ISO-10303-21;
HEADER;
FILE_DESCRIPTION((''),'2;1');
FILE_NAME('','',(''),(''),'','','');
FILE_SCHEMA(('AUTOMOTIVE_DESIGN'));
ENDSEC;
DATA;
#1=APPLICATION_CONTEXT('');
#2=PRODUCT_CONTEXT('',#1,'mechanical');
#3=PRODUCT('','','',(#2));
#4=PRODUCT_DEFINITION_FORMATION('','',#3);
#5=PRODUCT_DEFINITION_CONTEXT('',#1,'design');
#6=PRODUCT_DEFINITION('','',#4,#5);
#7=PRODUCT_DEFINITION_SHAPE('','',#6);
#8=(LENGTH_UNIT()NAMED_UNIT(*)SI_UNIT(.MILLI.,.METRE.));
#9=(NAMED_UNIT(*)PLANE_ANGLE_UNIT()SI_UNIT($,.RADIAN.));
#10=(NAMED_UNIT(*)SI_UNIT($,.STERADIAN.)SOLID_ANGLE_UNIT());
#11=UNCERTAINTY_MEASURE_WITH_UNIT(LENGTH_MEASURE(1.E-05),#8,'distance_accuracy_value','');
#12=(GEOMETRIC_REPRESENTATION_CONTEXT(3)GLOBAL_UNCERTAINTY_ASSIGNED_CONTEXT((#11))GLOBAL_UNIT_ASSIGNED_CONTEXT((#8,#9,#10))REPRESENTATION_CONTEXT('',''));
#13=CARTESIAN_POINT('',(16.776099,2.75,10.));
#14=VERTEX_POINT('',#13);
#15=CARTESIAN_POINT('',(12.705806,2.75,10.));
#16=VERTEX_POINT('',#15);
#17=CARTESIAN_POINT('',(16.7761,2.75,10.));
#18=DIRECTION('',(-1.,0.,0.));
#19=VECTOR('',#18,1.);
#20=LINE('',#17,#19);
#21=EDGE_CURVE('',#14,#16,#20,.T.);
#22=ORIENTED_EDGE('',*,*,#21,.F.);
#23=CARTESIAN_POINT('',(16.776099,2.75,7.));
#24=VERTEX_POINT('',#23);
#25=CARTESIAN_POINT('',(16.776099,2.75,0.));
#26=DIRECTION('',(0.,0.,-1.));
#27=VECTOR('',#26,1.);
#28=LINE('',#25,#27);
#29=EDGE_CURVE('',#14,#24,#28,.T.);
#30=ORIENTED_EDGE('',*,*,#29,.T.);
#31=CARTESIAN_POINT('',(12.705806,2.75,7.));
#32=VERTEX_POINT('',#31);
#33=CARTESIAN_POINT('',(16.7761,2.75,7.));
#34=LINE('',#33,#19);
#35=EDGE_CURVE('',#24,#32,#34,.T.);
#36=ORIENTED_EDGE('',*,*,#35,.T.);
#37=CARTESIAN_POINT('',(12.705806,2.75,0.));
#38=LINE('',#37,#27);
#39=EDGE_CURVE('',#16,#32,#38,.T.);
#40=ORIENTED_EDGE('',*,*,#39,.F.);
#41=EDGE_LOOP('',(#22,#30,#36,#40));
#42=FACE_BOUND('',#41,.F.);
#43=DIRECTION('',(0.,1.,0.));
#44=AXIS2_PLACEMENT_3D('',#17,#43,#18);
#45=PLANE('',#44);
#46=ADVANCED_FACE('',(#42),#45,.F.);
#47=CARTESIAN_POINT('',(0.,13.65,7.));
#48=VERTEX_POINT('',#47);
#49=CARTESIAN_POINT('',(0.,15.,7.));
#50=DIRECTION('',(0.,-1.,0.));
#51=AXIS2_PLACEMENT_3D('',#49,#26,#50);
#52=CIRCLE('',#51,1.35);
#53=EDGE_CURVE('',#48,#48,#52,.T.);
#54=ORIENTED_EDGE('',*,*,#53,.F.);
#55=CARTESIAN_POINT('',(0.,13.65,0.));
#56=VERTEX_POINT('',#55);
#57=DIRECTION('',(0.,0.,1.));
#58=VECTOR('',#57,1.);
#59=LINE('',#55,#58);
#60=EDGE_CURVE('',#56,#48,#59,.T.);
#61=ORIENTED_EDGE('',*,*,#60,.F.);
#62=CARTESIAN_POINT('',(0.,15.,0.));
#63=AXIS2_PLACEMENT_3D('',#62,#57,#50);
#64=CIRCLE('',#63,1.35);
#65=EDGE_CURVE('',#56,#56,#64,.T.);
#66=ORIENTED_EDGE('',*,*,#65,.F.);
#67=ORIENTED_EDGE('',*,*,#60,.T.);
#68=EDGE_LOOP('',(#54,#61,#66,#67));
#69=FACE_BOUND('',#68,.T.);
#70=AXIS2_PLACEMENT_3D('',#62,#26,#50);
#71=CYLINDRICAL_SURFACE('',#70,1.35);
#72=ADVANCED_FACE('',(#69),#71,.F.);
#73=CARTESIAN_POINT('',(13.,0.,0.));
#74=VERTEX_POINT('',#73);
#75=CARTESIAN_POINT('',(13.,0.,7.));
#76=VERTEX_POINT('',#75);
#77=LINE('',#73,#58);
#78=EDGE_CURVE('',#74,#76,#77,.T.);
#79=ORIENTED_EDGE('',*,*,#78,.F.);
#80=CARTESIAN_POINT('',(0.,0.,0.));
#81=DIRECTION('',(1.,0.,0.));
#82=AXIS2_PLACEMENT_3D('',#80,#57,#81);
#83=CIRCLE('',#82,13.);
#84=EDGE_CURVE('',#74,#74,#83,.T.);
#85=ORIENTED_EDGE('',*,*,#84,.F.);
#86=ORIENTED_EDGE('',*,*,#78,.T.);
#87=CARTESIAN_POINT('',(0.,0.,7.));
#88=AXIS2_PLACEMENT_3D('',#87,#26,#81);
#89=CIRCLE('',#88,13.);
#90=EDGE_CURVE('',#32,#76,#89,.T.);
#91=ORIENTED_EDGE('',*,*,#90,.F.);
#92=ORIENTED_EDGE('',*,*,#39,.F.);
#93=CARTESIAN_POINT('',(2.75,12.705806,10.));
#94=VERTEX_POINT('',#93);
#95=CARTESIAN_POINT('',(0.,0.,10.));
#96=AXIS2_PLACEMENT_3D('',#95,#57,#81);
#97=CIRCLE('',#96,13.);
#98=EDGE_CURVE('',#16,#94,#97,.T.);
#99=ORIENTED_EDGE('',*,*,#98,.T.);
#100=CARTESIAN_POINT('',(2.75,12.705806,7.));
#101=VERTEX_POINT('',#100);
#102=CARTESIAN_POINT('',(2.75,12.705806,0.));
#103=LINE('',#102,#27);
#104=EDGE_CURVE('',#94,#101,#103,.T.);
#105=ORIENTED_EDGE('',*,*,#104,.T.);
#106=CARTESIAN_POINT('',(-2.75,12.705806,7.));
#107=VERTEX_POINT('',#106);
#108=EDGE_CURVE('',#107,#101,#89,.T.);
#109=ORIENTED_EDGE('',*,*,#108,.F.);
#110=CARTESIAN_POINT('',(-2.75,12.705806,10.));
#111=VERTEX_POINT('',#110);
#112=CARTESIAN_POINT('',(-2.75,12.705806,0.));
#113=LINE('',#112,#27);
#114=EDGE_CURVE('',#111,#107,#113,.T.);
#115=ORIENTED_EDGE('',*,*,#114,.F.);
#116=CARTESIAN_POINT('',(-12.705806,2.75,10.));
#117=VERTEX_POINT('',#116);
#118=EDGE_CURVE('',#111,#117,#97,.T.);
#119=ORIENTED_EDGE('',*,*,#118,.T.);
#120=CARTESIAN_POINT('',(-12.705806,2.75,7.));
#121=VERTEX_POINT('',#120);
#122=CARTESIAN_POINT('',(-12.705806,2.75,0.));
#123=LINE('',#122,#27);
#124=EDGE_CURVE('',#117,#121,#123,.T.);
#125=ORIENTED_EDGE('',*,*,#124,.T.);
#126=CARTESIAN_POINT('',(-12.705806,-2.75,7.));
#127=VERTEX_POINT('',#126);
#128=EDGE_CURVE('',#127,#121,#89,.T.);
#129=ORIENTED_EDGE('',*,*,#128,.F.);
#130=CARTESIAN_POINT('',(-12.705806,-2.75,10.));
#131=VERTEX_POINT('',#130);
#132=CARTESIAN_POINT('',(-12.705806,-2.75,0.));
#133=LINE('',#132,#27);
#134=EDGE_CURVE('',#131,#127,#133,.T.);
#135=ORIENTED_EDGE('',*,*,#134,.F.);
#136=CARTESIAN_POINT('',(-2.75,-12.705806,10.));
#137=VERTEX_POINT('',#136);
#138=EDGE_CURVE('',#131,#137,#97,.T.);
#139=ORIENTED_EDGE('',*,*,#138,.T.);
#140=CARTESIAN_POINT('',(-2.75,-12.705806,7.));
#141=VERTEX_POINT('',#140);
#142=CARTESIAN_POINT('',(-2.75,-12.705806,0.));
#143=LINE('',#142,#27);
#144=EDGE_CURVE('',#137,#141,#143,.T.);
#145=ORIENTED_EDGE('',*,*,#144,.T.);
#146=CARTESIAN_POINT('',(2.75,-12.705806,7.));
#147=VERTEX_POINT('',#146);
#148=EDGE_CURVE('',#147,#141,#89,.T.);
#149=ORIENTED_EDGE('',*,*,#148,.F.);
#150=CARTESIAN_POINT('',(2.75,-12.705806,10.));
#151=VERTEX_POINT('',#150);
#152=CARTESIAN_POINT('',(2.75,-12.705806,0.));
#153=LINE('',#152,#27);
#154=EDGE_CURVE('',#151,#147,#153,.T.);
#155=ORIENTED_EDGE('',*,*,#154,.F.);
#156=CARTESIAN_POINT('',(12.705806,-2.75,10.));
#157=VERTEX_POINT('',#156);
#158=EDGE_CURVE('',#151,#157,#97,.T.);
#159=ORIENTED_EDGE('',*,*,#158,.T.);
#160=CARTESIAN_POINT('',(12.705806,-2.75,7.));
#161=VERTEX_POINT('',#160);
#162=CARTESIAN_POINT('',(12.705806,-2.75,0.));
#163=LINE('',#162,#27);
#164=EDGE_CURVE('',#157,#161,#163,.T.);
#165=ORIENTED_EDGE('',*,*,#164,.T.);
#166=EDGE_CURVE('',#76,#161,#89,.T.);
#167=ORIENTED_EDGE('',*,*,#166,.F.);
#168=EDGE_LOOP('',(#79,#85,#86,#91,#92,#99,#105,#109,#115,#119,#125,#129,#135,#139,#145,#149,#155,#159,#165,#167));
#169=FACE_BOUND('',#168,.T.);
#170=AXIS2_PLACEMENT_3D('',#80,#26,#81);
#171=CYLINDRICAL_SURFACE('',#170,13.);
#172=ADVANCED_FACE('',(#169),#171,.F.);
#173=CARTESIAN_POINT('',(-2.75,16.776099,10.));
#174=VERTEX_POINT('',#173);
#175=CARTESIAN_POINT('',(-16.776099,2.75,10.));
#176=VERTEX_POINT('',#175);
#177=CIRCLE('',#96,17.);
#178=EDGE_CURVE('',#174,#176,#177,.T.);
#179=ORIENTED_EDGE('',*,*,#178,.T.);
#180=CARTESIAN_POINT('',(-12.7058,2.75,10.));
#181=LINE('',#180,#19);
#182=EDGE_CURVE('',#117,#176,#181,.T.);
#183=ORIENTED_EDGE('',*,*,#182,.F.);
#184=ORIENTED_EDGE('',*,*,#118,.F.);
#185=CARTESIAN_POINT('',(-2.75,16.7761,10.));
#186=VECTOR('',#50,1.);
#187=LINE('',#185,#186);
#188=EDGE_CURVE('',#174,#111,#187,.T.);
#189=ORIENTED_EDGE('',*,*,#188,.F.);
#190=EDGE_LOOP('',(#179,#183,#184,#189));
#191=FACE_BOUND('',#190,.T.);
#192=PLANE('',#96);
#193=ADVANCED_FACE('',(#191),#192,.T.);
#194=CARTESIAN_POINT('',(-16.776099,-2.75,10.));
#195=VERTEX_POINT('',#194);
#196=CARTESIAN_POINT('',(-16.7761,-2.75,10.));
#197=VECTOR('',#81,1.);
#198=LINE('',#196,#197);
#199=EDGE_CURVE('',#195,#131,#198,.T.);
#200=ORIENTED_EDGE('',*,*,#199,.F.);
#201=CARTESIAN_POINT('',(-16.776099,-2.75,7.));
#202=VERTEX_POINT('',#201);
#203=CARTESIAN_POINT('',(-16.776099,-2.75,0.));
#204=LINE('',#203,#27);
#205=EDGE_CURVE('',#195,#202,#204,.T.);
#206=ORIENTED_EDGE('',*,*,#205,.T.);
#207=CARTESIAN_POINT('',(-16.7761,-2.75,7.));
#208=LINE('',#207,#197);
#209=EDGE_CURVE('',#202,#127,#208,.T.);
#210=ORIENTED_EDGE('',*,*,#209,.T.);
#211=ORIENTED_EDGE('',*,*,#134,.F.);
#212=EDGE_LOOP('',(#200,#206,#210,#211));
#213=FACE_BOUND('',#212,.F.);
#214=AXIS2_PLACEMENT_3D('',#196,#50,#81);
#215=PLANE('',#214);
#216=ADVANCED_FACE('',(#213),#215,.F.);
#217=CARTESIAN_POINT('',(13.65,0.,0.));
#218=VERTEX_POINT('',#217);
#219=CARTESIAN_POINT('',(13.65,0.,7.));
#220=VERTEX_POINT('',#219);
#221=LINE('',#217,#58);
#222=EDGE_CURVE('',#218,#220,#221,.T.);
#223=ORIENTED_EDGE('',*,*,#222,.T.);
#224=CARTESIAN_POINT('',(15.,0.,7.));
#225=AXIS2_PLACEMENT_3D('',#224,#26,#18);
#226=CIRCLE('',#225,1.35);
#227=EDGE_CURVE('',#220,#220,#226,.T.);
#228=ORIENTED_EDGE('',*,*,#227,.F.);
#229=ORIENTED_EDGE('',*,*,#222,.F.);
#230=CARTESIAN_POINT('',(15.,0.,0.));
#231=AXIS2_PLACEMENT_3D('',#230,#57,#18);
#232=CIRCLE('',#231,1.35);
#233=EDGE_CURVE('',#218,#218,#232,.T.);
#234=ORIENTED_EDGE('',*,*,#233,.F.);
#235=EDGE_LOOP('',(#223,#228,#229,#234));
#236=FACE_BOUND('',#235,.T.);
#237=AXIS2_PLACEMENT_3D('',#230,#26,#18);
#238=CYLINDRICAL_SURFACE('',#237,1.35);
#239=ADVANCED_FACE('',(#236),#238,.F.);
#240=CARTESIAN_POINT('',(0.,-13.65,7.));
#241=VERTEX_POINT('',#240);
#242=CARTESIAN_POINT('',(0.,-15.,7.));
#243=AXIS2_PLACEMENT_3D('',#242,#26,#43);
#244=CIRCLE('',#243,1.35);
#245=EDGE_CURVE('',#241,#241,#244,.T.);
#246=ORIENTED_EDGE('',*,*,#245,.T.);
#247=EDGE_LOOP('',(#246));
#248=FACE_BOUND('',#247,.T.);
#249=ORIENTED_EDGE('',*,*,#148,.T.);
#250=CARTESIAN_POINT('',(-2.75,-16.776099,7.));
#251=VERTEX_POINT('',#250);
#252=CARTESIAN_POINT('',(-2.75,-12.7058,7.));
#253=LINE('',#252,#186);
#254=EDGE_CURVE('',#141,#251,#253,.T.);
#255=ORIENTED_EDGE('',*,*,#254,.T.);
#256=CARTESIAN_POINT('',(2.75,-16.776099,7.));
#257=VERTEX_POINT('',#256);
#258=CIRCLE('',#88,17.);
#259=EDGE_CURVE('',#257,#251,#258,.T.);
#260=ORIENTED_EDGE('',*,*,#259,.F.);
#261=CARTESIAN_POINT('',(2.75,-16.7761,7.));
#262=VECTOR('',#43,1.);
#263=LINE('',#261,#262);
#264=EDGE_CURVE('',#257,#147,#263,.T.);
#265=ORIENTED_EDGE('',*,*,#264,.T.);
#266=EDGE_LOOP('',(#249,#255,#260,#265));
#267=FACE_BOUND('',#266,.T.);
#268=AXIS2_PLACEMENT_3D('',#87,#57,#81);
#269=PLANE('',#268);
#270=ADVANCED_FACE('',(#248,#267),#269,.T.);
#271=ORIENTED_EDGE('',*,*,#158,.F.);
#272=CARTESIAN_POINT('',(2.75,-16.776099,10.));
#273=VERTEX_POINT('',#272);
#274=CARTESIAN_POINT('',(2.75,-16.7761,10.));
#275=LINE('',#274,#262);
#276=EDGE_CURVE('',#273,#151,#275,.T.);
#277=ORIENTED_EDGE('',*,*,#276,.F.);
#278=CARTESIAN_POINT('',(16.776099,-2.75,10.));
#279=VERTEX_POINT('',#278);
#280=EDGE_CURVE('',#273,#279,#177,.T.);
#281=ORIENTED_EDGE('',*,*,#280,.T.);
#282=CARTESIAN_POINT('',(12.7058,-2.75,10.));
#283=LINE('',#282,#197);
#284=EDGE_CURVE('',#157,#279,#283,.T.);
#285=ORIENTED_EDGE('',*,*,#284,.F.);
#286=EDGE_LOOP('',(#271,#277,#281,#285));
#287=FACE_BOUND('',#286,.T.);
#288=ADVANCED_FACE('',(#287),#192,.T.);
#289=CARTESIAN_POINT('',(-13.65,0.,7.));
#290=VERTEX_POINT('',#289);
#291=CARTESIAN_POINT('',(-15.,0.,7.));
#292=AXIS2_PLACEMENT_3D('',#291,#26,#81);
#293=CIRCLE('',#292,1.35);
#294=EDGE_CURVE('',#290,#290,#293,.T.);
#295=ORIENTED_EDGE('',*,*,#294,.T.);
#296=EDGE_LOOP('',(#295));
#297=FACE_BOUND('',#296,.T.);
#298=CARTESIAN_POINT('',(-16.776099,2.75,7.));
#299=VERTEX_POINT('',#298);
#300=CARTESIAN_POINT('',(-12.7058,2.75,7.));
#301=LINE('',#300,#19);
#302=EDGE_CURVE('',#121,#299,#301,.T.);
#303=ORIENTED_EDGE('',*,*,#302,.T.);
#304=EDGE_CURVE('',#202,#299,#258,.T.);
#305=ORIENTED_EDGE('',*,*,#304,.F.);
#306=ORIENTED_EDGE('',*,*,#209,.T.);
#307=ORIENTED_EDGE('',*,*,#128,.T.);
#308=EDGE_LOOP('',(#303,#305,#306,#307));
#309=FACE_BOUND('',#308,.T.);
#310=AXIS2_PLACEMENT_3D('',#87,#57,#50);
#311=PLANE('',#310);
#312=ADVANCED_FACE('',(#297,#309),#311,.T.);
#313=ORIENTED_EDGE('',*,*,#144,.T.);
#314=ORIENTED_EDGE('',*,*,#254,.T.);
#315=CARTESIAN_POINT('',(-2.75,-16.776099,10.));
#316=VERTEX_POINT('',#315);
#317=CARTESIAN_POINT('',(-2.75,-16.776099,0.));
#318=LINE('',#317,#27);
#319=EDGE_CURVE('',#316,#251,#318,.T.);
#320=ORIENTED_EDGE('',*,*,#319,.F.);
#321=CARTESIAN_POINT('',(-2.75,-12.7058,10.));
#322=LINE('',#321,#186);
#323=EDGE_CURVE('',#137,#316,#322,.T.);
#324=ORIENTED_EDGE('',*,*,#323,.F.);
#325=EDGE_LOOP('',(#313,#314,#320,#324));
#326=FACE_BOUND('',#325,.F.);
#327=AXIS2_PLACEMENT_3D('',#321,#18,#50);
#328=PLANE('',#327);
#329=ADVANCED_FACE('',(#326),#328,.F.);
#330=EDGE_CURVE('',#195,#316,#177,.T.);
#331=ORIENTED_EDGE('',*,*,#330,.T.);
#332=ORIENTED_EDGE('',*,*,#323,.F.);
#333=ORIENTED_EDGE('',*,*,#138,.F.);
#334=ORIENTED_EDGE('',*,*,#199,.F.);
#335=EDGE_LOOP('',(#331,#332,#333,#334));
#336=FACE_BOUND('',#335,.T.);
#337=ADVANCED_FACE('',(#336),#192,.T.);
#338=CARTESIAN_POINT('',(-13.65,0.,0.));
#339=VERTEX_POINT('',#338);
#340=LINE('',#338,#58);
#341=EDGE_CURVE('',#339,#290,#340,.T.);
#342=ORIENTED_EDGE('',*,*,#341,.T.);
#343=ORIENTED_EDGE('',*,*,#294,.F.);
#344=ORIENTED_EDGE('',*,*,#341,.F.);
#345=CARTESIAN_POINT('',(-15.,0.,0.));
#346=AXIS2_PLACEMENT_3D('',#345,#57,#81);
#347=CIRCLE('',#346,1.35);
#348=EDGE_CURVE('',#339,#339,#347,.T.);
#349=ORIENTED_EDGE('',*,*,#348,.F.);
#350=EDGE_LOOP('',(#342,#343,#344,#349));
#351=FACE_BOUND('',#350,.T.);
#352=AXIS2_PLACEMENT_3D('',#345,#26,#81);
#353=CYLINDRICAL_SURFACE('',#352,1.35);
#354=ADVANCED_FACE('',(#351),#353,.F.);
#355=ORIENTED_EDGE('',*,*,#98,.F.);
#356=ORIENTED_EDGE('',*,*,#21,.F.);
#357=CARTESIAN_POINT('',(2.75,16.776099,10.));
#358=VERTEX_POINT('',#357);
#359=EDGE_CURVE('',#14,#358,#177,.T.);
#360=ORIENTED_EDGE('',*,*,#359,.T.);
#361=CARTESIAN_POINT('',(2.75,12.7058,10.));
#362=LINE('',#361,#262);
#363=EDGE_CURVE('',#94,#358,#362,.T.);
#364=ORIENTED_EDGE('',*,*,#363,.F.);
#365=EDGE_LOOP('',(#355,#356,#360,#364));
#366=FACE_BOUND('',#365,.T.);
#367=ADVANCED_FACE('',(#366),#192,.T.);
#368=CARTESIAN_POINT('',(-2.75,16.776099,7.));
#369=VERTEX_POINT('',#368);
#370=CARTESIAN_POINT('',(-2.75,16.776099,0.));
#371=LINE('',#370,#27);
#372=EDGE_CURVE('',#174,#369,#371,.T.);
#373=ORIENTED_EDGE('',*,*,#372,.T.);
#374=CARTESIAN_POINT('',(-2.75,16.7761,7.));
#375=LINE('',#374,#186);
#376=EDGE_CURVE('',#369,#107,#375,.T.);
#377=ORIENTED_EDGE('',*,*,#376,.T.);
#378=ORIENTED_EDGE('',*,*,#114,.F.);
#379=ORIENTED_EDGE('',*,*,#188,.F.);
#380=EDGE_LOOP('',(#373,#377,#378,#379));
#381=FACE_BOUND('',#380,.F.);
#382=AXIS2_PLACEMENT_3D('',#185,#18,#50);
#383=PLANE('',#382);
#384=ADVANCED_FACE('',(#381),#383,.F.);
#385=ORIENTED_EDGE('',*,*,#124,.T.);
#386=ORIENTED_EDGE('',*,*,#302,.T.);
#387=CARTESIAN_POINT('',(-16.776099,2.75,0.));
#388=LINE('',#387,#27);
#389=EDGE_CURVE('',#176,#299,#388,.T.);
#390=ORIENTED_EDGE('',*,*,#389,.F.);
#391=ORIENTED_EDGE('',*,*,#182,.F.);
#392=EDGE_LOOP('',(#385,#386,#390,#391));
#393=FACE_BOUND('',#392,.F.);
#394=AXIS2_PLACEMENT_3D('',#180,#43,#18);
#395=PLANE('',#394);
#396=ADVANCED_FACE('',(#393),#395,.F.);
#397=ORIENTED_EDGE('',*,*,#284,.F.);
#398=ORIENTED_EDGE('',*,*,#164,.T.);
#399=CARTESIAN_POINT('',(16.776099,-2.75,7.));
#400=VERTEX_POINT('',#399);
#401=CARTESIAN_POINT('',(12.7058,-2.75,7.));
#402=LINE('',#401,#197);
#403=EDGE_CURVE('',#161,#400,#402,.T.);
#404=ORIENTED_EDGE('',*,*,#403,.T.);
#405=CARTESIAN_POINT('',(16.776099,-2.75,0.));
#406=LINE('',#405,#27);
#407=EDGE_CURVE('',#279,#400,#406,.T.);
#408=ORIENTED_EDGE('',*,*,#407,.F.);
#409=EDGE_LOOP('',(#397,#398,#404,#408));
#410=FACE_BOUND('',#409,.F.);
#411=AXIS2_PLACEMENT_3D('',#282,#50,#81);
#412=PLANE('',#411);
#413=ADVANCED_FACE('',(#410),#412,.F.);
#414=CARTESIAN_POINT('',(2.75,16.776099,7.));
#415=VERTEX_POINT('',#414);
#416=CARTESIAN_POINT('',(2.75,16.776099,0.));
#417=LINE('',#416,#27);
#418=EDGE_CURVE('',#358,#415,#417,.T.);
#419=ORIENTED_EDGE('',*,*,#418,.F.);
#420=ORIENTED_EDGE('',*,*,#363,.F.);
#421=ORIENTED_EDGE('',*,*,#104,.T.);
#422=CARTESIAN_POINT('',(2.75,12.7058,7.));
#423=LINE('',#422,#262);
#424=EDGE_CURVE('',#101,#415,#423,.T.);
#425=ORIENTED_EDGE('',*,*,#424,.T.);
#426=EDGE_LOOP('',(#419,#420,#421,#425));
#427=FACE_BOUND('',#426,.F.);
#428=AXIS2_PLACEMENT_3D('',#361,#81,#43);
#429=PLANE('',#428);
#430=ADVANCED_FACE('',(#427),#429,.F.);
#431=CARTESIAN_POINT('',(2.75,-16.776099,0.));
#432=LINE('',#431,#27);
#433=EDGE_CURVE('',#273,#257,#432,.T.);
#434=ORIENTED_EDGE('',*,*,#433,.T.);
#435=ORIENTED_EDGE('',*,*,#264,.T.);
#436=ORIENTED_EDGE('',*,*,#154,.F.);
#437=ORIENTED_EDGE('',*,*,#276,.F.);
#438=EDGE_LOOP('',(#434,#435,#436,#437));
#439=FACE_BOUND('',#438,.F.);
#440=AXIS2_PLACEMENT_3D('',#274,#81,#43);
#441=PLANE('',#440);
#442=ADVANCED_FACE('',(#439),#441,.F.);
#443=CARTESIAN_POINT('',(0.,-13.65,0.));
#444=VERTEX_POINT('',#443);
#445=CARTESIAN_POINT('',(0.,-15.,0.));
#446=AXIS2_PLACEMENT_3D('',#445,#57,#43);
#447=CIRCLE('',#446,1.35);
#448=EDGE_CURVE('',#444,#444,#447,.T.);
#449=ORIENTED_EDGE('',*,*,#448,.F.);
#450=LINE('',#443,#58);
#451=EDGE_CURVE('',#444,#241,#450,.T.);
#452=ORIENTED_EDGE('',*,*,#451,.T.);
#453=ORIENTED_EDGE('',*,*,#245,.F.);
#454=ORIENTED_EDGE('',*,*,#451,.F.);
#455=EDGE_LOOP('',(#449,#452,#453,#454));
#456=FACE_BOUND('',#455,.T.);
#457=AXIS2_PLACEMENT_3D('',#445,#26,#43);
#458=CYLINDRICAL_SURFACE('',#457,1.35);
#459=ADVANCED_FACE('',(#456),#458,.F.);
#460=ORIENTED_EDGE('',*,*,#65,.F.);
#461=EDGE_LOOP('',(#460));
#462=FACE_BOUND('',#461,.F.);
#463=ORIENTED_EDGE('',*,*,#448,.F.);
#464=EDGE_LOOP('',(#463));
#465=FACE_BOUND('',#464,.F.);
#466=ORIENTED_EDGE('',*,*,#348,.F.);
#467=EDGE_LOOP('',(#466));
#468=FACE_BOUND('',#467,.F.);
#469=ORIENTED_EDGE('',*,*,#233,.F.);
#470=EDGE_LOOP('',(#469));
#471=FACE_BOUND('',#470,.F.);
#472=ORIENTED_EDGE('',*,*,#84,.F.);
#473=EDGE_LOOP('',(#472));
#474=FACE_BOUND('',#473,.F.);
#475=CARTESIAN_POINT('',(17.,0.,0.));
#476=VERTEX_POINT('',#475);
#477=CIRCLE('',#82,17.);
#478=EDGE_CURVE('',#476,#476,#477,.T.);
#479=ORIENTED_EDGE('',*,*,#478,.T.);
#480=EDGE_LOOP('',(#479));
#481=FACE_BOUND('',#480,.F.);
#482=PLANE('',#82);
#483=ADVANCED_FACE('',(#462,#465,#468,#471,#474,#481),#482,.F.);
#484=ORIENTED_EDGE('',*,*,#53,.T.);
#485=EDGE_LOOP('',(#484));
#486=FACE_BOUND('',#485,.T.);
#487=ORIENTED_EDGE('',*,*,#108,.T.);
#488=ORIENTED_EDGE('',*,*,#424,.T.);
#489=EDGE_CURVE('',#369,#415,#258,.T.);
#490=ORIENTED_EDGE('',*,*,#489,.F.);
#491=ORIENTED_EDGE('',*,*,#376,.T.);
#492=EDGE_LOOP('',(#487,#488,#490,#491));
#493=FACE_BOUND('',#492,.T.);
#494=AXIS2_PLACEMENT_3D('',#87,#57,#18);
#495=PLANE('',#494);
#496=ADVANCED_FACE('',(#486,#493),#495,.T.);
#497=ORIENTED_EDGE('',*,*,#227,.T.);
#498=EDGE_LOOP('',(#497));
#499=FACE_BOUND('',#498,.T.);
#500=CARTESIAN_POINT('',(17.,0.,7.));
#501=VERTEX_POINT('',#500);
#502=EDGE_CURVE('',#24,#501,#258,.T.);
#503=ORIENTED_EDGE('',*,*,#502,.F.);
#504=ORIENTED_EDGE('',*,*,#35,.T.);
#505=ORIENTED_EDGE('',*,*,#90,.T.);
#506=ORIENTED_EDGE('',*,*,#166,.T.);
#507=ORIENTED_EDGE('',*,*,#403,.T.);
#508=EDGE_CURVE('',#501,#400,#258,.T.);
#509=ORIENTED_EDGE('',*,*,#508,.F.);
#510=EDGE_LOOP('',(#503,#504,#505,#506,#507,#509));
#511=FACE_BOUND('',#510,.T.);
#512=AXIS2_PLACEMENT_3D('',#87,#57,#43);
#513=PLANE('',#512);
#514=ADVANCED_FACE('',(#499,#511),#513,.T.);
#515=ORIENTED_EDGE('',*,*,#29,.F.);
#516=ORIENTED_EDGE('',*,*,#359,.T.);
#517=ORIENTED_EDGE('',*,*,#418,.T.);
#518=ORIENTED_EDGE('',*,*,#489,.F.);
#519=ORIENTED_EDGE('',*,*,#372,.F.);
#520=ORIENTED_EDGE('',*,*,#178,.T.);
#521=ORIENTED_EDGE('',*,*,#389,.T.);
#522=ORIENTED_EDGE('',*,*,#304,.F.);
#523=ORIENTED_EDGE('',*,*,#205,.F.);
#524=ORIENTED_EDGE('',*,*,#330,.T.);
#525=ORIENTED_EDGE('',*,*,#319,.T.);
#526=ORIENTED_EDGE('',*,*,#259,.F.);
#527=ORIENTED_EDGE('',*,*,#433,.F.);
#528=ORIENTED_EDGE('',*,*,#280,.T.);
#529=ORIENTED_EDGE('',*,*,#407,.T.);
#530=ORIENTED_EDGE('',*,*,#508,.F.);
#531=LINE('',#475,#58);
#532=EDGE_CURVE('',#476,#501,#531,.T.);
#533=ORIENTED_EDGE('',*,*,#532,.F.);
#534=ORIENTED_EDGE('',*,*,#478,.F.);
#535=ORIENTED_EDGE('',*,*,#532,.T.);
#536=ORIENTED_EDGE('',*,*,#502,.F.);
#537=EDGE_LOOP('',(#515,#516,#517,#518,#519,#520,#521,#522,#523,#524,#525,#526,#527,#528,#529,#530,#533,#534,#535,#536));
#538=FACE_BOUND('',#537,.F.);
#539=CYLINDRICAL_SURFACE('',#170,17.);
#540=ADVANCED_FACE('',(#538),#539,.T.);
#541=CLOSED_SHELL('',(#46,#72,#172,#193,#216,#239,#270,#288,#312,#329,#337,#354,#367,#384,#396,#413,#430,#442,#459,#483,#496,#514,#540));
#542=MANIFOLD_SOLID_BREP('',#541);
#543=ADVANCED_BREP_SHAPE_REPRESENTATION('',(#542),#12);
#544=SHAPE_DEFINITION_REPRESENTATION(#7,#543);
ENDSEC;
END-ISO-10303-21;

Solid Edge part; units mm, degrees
sketch "Sketch1" plane through (0, 0, 0) normal (0, 0, 1) x (1, 0, 0)
  circle A0 centre (0, 0) radius 13
  circle A1 centre (0, 0) radius 17
extrude "Protrusion1" add sketch "Sketch1" along normal blind 10
hole "Hole_1" at (0, -15, 0) direction (0, 0, 1) diameter 2.7 end up to next
sketch "Sketch2" plane through (0, 0, 10) normal (0, 0, 1) x (-1, 0, 0)
  line L0 (-2.75, 12.7058) -> (2.75, 12.7058)
  line L1 (2.75, 12.7058) -> (2.75, 17.7796)
  line L2 (2.75, 17.7796) -> (-2.75, 17.7796)
  line L3 (-2.75, 17.7796) -> (-2.75, 16.7761)
  dimension "D1" = 5.5
  dimension "D2" = 2.75
extrude "ExtrudedCutout_1" cut sketch "Sketch2" against normal blind 3 material side at (0, -12.7558, 10)
pattern_circular "Pattern2" count 4 over 360 about axis through (0, 0, 0) along (0, 0, 1) of "Hole_1", "ExtrudedCutout_1"
